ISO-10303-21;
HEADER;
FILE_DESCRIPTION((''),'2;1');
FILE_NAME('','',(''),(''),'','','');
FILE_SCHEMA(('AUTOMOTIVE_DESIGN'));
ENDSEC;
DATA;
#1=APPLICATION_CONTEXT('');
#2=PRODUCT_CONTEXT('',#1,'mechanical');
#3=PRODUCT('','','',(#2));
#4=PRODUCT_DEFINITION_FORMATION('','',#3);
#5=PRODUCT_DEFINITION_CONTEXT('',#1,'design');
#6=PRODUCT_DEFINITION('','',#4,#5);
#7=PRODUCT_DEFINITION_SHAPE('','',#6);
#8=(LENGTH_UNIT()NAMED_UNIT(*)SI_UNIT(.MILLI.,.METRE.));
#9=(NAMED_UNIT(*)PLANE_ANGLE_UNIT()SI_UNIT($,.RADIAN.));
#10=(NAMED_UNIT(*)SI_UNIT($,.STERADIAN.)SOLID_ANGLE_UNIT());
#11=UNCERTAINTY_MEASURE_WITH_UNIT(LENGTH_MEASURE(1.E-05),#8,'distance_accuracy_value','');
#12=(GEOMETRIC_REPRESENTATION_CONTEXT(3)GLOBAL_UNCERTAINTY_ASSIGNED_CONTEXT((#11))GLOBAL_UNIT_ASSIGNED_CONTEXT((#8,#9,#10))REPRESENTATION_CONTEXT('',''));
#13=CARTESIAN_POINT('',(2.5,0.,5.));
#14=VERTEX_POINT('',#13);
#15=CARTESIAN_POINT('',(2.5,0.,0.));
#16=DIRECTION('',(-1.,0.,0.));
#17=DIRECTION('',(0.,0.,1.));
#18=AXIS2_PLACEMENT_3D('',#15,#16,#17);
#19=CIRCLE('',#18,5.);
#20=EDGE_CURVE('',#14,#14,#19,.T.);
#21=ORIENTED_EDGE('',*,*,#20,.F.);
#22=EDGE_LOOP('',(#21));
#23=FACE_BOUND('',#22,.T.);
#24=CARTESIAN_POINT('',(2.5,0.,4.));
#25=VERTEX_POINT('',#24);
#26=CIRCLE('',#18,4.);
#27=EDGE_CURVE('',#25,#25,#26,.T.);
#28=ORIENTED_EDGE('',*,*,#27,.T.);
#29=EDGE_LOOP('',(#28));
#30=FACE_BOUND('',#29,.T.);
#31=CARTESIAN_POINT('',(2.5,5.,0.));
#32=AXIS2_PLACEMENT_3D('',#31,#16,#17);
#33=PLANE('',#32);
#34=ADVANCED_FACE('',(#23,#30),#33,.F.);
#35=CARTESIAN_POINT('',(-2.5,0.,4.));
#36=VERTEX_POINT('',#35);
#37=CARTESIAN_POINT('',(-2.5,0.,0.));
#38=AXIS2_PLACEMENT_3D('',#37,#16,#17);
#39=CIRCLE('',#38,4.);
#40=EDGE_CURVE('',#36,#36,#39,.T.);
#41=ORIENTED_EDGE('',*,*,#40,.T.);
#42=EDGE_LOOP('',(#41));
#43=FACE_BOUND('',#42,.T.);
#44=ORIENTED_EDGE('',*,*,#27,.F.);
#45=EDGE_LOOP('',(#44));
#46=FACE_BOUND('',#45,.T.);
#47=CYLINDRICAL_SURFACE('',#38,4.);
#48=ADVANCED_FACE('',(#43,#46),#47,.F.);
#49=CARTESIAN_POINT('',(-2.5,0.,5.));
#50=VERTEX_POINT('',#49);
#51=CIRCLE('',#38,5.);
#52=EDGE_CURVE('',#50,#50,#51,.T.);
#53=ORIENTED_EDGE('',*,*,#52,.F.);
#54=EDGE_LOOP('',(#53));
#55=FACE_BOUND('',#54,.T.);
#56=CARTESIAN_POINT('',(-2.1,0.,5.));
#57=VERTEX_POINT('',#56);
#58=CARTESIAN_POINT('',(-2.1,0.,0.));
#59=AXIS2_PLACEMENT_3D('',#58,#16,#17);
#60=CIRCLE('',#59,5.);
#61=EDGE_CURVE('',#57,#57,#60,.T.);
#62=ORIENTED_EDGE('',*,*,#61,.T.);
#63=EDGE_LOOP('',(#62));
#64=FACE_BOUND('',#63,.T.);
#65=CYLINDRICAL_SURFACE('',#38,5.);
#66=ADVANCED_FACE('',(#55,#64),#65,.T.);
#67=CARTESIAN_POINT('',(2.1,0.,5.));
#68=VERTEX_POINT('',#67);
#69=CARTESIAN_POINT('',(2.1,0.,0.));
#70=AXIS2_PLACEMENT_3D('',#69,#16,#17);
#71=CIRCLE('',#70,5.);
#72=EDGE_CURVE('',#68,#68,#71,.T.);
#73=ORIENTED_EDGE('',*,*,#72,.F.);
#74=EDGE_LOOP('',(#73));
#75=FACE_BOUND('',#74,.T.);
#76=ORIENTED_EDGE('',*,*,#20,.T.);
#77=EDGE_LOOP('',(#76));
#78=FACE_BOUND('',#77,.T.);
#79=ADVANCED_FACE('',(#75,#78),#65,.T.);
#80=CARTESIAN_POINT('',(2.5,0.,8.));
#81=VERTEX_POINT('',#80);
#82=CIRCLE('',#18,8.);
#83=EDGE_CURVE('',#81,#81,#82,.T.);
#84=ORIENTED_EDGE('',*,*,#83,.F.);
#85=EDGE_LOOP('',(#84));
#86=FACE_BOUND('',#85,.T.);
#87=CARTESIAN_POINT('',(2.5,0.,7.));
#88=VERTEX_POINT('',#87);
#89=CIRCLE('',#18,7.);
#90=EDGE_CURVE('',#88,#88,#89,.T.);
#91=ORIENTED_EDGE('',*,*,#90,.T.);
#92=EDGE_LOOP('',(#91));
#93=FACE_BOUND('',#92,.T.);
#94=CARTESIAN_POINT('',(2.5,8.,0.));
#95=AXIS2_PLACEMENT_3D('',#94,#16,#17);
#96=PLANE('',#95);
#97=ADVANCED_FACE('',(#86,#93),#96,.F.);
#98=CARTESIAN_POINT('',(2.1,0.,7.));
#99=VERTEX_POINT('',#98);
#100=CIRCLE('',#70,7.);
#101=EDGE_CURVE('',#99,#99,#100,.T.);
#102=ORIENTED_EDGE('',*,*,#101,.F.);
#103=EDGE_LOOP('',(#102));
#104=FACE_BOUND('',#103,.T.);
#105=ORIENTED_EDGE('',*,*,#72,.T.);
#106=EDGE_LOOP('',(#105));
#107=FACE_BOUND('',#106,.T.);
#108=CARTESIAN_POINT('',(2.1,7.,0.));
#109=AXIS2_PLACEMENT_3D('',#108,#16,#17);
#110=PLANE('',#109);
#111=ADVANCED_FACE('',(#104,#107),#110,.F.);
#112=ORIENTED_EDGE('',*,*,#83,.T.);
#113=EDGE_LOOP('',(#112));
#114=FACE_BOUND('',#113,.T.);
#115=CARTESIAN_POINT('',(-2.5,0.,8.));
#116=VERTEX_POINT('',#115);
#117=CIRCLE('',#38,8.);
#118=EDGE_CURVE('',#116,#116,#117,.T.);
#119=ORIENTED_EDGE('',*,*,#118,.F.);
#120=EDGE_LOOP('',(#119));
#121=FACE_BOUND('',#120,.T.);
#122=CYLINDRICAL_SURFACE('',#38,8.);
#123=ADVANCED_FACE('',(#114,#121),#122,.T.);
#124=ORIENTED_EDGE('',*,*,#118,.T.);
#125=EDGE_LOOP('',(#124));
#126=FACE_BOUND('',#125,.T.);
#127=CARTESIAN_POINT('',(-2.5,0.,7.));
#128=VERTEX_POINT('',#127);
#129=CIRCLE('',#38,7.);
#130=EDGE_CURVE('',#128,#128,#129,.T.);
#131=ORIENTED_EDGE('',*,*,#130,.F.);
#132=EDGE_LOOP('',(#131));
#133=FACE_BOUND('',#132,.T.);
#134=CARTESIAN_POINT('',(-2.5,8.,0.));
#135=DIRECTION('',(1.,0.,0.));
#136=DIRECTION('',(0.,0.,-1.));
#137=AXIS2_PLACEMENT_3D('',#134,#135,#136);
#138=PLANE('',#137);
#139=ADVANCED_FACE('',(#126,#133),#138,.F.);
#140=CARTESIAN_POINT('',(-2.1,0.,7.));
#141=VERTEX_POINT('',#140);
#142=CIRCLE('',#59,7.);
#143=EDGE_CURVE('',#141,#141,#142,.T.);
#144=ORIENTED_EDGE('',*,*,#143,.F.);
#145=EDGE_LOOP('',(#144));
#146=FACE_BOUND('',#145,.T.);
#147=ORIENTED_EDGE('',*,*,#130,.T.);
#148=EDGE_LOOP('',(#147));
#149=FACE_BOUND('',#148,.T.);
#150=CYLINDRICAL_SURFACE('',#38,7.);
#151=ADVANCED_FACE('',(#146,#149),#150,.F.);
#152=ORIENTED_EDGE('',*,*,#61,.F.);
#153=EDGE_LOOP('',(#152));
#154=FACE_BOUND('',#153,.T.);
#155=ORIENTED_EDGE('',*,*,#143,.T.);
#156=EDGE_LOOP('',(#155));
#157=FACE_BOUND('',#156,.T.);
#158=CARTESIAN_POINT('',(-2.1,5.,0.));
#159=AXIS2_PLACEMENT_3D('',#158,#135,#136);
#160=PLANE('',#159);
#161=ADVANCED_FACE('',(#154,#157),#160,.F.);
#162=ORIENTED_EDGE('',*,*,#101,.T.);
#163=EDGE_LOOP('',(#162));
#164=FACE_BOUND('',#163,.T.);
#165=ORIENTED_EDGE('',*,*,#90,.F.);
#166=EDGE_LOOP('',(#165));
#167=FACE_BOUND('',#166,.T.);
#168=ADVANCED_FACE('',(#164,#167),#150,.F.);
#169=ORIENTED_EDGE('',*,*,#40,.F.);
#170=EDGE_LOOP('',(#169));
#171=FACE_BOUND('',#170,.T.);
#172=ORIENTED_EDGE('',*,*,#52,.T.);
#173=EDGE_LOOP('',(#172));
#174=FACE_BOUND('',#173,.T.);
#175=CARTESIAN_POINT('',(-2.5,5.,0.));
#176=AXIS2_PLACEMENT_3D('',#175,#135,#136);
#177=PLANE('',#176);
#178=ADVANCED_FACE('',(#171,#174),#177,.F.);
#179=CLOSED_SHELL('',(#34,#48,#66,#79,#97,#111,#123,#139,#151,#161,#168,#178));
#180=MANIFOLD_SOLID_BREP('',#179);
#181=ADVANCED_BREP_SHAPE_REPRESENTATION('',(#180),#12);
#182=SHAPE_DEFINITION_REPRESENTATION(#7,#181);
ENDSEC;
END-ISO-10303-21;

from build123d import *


with BuildPart() as part:
    # Sketch1 → Revolve1 (revolve)
    with BuildSketch(Plane.XY):
        Polygon((-2.5, 8), (2.5, 8), (2.5, 7), (2.1, 7), (2.1, 5), (2.5, 5), (2.5, 4), (-2.5, 4), (-2.5, 5), (-2.1, 5), (-2.1, 7), (-2.5, 7), align=None)
    revolve(axis=Axis((-2.5, 0, 0), (1, 0, 0)))


solid = part.part
